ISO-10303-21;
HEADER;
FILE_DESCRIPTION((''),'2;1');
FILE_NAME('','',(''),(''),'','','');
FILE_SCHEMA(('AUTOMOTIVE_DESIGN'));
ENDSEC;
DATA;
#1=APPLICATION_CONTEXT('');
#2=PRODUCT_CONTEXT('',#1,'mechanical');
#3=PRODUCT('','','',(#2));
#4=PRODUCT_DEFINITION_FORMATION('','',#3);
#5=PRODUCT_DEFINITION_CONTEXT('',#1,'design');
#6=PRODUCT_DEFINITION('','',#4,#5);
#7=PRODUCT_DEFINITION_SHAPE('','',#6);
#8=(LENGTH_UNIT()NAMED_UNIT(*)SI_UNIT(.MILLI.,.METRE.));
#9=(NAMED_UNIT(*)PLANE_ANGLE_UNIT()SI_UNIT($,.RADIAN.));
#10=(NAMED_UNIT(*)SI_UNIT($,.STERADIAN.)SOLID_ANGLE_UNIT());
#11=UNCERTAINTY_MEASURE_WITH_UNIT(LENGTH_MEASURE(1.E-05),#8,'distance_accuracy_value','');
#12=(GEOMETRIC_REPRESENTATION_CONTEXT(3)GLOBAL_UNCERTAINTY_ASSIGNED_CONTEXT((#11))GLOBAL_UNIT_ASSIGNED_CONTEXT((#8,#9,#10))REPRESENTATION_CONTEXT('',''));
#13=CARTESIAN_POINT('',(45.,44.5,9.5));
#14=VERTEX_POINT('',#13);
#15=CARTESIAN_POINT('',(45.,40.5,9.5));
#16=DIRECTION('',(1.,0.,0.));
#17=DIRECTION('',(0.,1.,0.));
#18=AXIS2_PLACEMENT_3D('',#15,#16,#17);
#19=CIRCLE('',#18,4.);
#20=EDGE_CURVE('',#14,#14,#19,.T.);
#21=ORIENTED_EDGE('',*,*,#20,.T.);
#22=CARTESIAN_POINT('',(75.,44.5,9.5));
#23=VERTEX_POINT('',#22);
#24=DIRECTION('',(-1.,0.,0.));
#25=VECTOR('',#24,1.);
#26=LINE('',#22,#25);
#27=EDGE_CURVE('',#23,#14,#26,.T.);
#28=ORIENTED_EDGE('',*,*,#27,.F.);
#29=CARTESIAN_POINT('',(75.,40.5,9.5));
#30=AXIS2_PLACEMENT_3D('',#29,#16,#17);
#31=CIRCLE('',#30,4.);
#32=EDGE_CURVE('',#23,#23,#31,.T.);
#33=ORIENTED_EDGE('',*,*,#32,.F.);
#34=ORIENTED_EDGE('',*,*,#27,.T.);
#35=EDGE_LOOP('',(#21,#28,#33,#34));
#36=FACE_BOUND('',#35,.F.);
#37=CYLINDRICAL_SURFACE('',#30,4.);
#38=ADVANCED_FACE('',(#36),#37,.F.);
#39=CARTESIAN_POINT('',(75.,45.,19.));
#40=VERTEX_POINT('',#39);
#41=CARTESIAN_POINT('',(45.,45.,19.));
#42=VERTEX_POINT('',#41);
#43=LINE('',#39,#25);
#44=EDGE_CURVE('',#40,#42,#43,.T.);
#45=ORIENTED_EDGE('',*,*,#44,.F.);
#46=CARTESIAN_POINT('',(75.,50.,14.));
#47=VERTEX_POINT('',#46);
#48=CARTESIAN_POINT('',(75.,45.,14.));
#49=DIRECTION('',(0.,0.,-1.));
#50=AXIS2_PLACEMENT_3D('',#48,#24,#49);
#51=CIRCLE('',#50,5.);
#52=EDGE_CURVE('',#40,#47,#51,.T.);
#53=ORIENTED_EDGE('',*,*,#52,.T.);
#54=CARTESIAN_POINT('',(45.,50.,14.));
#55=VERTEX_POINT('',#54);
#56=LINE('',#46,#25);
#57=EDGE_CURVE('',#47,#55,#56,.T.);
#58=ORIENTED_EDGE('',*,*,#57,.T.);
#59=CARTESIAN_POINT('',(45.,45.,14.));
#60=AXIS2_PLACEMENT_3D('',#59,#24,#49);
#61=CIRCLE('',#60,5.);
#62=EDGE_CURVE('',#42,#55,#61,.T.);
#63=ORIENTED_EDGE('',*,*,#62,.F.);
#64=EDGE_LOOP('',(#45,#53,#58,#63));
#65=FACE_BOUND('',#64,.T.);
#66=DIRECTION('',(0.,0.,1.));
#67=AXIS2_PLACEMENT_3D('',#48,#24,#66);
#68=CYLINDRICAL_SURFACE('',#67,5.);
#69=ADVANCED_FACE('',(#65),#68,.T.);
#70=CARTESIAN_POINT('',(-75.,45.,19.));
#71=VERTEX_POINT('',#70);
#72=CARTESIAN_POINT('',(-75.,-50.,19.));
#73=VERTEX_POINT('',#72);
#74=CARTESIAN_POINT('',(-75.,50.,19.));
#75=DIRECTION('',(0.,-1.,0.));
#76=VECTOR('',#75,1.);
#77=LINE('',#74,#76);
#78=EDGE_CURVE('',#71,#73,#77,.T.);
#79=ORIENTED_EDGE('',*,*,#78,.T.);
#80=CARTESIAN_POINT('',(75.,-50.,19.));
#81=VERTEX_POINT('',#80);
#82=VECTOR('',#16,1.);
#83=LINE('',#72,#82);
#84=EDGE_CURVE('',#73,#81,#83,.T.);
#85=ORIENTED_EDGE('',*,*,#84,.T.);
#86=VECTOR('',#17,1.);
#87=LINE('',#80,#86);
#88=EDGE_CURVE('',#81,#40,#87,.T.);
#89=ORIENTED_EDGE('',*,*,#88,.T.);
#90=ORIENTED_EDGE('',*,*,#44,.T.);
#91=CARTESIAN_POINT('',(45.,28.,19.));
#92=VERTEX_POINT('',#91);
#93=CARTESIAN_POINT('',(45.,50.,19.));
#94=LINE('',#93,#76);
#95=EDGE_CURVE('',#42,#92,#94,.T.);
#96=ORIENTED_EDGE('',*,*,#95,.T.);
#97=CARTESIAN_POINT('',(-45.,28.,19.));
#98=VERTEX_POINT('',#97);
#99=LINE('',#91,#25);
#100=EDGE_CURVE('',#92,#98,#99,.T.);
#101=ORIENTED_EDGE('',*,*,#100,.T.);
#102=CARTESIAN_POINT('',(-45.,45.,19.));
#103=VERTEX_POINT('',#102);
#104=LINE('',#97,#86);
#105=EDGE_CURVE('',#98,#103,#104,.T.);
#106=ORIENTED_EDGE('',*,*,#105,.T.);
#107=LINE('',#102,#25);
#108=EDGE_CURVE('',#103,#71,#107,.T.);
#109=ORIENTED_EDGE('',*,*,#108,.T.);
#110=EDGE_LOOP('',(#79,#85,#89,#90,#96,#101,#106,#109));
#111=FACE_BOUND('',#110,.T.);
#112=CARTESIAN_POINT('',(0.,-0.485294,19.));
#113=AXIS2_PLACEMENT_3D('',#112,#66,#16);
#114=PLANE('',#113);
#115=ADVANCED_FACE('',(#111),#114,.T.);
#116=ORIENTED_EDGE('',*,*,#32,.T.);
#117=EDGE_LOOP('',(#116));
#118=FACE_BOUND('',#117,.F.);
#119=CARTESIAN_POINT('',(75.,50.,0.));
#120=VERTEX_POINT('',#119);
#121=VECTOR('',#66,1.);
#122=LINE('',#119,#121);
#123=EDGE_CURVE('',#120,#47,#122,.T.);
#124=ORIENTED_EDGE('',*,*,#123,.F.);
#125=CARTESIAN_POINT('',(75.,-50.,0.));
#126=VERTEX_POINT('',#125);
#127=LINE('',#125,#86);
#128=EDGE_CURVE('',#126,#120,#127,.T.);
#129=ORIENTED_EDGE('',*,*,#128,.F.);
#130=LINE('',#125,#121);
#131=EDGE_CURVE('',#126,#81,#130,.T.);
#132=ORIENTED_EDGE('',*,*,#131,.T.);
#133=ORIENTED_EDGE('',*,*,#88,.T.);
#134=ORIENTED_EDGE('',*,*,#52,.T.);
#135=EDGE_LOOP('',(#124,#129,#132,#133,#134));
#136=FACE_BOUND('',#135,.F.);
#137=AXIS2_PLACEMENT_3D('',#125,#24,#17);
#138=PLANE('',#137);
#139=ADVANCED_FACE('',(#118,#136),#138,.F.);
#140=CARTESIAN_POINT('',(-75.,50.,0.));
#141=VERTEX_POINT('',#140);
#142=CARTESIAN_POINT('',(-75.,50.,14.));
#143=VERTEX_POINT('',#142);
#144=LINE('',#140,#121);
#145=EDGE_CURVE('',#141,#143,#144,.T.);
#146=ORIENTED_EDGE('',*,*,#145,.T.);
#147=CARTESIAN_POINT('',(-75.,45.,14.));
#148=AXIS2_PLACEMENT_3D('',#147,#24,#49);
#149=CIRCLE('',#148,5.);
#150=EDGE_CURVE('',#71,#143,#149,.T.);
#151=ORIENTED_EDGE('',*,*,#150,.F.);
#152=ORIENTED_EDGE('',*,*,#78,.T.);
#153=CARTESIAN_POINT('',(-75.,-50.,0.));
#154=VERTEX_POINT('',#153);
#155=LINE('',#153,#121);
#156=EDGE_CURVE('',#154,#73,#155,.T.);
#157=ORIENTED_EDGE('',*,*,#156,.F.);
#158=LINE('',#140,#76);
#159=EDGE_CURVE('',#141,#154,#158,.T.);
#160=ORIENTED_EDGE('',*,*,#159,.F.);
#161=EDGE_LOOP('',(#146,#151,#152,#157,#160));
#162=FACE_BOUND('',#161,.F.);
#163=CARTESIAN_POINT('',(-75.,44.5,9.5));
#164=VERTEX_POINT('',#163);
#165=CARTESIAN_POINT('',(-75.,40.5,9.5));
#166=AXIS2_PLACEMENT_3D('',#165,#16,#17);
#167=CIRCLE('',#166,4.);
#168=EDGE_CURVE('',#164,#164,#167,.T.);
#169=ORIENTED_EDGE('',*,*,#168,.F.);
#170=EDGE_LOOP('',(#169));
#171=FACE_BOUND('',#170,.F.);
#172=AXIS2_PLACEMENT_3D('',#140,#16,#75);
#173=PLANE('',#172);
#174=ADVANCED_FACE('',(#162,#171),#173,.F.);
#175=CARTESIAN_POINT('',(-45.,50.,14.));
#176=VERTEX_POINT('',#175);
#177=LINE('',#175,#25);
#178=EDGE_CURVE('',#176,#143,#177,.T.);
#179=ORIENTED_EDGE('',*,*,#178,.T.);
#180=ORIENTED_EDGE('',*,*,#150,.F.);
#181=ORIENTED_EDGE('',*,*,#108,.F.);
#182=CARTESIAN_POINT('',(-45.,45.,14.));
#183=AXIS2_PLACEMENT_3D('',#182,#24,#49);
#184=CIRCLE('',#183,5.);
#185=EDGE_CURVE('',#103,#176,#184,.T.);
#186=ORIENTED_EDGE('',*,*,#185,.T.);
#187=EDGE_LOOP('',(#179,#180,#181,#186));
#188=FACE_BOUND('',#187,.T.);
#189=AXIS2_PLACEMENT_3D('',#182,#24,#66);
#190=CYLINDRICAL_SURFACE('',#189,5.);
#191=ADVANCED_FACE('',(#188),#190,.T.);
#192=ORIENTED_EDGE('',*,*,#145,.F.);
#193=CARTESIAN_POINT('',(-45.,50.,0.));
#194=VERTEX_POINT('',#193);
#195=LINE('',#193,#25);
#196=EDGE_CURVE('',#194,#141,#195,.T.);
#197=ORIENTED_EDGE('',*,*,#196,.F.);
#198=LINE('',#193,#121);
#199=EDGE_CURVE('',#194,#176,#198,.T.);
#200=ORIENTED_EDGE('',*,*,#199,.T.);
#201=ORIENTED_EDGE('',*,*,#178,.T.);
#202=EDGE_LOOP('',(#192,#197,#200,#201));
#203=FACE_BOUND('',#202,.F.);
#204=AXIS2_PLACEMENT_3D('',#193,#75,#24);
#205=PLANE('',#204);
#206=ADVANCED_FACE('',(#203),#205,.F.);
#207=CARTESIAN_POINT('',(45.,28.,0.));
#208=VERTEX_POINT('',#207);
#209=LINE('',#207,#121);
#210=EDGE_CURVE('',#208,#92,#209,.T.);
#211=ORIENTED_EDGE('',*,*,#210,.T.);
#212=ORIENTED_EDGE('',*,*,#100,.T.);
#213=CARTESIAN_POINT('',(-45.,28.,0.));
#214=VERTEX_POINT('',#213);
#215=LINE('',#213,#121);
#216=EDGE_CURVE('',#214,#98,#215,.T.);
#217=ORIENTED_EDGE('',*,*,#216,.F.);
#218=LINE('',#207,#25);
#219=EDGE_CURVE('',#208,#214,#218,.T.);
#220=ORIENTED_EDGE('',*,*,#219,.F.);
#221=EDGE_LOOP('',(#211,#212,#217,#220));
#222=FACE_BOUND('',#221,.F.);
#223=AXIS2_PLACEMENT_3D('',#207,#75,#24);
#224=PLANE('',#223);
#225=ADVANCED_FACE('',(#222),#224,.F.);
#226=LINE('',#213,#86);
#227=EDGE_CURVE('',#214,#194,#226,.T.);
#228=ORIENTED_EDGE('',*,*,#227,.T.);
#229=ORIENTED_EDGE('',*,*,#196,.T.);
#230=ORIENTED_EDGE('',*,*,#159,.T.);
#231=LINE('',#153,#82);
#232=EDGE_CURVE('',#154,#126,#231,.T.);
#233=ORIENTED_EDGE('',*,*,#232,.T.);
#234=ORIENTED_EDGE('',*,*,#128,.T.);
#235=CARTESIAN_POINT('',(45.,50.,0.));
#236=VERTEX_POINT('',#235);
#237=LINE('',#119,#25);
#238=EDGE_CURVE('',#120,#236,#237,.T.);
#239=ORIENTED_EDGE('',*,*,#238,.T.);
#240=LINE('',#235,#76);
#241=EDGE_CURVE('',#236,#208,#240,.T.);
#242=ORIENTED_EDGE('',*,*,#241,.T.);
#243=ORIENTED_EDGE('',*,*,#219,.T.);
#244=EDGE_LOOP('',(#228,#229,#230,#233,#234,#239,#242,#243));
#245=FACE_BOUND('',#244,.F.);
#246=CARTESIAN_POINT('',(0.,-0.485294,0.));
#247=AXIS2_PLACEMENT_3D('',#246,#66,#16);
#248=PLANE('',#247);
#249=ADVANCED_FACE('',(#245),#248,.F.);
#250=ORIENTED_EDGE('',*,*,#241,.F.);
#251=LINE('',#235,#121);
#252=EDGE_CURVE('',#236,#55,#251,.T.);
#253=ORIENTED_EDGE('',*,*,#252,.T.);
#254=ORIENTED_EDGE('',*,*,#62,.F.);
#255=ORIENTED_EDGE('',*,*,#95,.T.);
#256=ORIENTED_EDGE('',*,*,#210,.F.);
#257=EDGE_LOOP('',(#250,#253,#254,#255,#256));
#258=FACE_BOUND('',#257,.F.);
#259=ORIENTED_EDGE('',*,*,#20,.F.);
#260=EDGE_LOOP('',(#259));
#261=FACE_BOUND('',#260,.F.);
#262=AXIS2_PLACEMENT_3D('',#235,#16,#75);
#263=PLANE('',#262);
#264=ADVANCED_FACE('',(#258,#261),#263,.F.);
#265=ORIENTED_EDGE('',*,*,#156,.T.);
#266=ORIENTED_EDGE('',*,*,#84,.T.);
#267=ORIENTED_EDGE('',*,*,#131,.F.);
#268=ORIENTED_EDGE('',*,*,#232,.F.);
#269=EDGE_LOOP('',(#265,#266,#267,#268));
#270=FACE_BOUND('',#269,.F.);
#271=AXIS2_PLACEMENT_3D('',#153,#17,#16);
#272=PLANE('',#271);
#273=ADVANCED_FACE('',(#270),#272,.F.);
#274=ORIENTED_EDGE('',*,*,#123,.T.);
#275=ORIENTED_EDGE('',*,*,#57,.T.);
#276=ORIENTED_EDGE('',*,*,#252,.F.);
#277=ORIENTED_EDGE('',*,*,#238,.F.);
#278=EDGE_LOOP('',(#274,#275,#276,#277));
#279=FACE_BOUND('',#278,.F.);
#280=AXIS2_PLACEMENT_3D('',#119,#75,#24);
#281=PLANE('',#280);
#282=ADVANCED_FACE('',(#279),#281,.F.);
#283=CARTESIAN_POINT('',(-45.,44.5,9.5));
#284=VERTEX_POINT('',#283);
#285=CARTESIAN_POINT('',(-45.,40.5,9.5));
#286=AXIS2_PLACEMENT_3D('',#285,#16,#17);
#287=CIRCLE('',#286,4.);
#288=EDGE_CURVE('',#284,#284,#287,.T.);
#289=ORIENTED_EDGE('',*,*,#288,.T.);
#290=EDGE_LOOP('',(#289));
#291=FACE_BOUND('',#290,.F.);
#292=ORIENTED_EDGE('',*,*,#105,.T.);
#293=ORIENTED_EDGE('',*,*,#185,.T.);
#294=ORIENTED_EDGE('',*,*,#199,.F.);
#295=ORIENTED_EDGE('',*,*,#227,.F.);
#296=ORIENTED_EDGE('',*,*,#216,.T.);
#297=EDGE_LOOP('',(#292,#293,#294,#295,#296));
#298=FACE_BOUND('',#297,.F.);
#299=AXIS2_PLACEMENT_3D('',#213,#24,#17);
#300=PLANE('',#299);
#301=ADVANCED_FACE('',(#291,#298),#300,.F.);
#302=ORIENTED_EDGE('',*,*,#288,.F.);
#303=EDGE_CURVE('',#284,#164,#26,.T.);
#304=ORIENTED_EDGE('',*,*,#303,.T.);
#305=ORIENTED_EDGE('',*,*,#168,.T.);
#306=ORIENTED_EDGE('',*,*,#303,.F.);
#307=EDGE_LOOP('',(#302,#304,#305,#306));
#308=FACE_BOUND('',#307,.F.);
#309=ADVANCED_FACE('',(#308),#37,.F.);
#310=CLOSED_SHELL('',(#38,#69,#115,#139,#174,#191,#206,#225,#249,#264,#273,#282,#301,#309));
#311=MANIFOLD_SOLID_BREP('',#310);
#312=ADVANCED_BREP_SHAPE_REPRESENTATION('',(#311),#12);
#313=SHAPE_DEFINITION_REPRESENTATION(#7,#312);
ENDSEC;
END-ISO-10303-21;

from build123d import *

# Parameters (mm, degrees)
F1_DEPTH = 19
F2_R     = 4
F3_DEPTH = 150.001
F4_R     = 5


with BuildPart() as f1:
    # F0 (on Top) → F1 (new body)
    with BuildSketch(Plane.XY):
        Polygon((-75, -50), (75, -50), (75, 50), (45, 50), (45, 28), (-45, 28), (-45, 50), (-75, 50), align=None)
    extrude(amount=F1_DEPTH)

    # F2 (on face) → F3 (cut, through all)
    with BuildSketch(Plane.YZ.offset(75)):
        with Locations((40.5, 9.5)):
            Circle(F2_R)
    extrude(amount=-F3_DEPTH, mode=Mode.SUBTRACT)

    # F4
    f4_edges = [f1.edges().sort_by_distance(p)[0] for p in [
        (-60, 50, 19),
        (60, 50, 19),
    ]]
    fillet(f4_edges, radius=F4_R)


solid = f1.part
